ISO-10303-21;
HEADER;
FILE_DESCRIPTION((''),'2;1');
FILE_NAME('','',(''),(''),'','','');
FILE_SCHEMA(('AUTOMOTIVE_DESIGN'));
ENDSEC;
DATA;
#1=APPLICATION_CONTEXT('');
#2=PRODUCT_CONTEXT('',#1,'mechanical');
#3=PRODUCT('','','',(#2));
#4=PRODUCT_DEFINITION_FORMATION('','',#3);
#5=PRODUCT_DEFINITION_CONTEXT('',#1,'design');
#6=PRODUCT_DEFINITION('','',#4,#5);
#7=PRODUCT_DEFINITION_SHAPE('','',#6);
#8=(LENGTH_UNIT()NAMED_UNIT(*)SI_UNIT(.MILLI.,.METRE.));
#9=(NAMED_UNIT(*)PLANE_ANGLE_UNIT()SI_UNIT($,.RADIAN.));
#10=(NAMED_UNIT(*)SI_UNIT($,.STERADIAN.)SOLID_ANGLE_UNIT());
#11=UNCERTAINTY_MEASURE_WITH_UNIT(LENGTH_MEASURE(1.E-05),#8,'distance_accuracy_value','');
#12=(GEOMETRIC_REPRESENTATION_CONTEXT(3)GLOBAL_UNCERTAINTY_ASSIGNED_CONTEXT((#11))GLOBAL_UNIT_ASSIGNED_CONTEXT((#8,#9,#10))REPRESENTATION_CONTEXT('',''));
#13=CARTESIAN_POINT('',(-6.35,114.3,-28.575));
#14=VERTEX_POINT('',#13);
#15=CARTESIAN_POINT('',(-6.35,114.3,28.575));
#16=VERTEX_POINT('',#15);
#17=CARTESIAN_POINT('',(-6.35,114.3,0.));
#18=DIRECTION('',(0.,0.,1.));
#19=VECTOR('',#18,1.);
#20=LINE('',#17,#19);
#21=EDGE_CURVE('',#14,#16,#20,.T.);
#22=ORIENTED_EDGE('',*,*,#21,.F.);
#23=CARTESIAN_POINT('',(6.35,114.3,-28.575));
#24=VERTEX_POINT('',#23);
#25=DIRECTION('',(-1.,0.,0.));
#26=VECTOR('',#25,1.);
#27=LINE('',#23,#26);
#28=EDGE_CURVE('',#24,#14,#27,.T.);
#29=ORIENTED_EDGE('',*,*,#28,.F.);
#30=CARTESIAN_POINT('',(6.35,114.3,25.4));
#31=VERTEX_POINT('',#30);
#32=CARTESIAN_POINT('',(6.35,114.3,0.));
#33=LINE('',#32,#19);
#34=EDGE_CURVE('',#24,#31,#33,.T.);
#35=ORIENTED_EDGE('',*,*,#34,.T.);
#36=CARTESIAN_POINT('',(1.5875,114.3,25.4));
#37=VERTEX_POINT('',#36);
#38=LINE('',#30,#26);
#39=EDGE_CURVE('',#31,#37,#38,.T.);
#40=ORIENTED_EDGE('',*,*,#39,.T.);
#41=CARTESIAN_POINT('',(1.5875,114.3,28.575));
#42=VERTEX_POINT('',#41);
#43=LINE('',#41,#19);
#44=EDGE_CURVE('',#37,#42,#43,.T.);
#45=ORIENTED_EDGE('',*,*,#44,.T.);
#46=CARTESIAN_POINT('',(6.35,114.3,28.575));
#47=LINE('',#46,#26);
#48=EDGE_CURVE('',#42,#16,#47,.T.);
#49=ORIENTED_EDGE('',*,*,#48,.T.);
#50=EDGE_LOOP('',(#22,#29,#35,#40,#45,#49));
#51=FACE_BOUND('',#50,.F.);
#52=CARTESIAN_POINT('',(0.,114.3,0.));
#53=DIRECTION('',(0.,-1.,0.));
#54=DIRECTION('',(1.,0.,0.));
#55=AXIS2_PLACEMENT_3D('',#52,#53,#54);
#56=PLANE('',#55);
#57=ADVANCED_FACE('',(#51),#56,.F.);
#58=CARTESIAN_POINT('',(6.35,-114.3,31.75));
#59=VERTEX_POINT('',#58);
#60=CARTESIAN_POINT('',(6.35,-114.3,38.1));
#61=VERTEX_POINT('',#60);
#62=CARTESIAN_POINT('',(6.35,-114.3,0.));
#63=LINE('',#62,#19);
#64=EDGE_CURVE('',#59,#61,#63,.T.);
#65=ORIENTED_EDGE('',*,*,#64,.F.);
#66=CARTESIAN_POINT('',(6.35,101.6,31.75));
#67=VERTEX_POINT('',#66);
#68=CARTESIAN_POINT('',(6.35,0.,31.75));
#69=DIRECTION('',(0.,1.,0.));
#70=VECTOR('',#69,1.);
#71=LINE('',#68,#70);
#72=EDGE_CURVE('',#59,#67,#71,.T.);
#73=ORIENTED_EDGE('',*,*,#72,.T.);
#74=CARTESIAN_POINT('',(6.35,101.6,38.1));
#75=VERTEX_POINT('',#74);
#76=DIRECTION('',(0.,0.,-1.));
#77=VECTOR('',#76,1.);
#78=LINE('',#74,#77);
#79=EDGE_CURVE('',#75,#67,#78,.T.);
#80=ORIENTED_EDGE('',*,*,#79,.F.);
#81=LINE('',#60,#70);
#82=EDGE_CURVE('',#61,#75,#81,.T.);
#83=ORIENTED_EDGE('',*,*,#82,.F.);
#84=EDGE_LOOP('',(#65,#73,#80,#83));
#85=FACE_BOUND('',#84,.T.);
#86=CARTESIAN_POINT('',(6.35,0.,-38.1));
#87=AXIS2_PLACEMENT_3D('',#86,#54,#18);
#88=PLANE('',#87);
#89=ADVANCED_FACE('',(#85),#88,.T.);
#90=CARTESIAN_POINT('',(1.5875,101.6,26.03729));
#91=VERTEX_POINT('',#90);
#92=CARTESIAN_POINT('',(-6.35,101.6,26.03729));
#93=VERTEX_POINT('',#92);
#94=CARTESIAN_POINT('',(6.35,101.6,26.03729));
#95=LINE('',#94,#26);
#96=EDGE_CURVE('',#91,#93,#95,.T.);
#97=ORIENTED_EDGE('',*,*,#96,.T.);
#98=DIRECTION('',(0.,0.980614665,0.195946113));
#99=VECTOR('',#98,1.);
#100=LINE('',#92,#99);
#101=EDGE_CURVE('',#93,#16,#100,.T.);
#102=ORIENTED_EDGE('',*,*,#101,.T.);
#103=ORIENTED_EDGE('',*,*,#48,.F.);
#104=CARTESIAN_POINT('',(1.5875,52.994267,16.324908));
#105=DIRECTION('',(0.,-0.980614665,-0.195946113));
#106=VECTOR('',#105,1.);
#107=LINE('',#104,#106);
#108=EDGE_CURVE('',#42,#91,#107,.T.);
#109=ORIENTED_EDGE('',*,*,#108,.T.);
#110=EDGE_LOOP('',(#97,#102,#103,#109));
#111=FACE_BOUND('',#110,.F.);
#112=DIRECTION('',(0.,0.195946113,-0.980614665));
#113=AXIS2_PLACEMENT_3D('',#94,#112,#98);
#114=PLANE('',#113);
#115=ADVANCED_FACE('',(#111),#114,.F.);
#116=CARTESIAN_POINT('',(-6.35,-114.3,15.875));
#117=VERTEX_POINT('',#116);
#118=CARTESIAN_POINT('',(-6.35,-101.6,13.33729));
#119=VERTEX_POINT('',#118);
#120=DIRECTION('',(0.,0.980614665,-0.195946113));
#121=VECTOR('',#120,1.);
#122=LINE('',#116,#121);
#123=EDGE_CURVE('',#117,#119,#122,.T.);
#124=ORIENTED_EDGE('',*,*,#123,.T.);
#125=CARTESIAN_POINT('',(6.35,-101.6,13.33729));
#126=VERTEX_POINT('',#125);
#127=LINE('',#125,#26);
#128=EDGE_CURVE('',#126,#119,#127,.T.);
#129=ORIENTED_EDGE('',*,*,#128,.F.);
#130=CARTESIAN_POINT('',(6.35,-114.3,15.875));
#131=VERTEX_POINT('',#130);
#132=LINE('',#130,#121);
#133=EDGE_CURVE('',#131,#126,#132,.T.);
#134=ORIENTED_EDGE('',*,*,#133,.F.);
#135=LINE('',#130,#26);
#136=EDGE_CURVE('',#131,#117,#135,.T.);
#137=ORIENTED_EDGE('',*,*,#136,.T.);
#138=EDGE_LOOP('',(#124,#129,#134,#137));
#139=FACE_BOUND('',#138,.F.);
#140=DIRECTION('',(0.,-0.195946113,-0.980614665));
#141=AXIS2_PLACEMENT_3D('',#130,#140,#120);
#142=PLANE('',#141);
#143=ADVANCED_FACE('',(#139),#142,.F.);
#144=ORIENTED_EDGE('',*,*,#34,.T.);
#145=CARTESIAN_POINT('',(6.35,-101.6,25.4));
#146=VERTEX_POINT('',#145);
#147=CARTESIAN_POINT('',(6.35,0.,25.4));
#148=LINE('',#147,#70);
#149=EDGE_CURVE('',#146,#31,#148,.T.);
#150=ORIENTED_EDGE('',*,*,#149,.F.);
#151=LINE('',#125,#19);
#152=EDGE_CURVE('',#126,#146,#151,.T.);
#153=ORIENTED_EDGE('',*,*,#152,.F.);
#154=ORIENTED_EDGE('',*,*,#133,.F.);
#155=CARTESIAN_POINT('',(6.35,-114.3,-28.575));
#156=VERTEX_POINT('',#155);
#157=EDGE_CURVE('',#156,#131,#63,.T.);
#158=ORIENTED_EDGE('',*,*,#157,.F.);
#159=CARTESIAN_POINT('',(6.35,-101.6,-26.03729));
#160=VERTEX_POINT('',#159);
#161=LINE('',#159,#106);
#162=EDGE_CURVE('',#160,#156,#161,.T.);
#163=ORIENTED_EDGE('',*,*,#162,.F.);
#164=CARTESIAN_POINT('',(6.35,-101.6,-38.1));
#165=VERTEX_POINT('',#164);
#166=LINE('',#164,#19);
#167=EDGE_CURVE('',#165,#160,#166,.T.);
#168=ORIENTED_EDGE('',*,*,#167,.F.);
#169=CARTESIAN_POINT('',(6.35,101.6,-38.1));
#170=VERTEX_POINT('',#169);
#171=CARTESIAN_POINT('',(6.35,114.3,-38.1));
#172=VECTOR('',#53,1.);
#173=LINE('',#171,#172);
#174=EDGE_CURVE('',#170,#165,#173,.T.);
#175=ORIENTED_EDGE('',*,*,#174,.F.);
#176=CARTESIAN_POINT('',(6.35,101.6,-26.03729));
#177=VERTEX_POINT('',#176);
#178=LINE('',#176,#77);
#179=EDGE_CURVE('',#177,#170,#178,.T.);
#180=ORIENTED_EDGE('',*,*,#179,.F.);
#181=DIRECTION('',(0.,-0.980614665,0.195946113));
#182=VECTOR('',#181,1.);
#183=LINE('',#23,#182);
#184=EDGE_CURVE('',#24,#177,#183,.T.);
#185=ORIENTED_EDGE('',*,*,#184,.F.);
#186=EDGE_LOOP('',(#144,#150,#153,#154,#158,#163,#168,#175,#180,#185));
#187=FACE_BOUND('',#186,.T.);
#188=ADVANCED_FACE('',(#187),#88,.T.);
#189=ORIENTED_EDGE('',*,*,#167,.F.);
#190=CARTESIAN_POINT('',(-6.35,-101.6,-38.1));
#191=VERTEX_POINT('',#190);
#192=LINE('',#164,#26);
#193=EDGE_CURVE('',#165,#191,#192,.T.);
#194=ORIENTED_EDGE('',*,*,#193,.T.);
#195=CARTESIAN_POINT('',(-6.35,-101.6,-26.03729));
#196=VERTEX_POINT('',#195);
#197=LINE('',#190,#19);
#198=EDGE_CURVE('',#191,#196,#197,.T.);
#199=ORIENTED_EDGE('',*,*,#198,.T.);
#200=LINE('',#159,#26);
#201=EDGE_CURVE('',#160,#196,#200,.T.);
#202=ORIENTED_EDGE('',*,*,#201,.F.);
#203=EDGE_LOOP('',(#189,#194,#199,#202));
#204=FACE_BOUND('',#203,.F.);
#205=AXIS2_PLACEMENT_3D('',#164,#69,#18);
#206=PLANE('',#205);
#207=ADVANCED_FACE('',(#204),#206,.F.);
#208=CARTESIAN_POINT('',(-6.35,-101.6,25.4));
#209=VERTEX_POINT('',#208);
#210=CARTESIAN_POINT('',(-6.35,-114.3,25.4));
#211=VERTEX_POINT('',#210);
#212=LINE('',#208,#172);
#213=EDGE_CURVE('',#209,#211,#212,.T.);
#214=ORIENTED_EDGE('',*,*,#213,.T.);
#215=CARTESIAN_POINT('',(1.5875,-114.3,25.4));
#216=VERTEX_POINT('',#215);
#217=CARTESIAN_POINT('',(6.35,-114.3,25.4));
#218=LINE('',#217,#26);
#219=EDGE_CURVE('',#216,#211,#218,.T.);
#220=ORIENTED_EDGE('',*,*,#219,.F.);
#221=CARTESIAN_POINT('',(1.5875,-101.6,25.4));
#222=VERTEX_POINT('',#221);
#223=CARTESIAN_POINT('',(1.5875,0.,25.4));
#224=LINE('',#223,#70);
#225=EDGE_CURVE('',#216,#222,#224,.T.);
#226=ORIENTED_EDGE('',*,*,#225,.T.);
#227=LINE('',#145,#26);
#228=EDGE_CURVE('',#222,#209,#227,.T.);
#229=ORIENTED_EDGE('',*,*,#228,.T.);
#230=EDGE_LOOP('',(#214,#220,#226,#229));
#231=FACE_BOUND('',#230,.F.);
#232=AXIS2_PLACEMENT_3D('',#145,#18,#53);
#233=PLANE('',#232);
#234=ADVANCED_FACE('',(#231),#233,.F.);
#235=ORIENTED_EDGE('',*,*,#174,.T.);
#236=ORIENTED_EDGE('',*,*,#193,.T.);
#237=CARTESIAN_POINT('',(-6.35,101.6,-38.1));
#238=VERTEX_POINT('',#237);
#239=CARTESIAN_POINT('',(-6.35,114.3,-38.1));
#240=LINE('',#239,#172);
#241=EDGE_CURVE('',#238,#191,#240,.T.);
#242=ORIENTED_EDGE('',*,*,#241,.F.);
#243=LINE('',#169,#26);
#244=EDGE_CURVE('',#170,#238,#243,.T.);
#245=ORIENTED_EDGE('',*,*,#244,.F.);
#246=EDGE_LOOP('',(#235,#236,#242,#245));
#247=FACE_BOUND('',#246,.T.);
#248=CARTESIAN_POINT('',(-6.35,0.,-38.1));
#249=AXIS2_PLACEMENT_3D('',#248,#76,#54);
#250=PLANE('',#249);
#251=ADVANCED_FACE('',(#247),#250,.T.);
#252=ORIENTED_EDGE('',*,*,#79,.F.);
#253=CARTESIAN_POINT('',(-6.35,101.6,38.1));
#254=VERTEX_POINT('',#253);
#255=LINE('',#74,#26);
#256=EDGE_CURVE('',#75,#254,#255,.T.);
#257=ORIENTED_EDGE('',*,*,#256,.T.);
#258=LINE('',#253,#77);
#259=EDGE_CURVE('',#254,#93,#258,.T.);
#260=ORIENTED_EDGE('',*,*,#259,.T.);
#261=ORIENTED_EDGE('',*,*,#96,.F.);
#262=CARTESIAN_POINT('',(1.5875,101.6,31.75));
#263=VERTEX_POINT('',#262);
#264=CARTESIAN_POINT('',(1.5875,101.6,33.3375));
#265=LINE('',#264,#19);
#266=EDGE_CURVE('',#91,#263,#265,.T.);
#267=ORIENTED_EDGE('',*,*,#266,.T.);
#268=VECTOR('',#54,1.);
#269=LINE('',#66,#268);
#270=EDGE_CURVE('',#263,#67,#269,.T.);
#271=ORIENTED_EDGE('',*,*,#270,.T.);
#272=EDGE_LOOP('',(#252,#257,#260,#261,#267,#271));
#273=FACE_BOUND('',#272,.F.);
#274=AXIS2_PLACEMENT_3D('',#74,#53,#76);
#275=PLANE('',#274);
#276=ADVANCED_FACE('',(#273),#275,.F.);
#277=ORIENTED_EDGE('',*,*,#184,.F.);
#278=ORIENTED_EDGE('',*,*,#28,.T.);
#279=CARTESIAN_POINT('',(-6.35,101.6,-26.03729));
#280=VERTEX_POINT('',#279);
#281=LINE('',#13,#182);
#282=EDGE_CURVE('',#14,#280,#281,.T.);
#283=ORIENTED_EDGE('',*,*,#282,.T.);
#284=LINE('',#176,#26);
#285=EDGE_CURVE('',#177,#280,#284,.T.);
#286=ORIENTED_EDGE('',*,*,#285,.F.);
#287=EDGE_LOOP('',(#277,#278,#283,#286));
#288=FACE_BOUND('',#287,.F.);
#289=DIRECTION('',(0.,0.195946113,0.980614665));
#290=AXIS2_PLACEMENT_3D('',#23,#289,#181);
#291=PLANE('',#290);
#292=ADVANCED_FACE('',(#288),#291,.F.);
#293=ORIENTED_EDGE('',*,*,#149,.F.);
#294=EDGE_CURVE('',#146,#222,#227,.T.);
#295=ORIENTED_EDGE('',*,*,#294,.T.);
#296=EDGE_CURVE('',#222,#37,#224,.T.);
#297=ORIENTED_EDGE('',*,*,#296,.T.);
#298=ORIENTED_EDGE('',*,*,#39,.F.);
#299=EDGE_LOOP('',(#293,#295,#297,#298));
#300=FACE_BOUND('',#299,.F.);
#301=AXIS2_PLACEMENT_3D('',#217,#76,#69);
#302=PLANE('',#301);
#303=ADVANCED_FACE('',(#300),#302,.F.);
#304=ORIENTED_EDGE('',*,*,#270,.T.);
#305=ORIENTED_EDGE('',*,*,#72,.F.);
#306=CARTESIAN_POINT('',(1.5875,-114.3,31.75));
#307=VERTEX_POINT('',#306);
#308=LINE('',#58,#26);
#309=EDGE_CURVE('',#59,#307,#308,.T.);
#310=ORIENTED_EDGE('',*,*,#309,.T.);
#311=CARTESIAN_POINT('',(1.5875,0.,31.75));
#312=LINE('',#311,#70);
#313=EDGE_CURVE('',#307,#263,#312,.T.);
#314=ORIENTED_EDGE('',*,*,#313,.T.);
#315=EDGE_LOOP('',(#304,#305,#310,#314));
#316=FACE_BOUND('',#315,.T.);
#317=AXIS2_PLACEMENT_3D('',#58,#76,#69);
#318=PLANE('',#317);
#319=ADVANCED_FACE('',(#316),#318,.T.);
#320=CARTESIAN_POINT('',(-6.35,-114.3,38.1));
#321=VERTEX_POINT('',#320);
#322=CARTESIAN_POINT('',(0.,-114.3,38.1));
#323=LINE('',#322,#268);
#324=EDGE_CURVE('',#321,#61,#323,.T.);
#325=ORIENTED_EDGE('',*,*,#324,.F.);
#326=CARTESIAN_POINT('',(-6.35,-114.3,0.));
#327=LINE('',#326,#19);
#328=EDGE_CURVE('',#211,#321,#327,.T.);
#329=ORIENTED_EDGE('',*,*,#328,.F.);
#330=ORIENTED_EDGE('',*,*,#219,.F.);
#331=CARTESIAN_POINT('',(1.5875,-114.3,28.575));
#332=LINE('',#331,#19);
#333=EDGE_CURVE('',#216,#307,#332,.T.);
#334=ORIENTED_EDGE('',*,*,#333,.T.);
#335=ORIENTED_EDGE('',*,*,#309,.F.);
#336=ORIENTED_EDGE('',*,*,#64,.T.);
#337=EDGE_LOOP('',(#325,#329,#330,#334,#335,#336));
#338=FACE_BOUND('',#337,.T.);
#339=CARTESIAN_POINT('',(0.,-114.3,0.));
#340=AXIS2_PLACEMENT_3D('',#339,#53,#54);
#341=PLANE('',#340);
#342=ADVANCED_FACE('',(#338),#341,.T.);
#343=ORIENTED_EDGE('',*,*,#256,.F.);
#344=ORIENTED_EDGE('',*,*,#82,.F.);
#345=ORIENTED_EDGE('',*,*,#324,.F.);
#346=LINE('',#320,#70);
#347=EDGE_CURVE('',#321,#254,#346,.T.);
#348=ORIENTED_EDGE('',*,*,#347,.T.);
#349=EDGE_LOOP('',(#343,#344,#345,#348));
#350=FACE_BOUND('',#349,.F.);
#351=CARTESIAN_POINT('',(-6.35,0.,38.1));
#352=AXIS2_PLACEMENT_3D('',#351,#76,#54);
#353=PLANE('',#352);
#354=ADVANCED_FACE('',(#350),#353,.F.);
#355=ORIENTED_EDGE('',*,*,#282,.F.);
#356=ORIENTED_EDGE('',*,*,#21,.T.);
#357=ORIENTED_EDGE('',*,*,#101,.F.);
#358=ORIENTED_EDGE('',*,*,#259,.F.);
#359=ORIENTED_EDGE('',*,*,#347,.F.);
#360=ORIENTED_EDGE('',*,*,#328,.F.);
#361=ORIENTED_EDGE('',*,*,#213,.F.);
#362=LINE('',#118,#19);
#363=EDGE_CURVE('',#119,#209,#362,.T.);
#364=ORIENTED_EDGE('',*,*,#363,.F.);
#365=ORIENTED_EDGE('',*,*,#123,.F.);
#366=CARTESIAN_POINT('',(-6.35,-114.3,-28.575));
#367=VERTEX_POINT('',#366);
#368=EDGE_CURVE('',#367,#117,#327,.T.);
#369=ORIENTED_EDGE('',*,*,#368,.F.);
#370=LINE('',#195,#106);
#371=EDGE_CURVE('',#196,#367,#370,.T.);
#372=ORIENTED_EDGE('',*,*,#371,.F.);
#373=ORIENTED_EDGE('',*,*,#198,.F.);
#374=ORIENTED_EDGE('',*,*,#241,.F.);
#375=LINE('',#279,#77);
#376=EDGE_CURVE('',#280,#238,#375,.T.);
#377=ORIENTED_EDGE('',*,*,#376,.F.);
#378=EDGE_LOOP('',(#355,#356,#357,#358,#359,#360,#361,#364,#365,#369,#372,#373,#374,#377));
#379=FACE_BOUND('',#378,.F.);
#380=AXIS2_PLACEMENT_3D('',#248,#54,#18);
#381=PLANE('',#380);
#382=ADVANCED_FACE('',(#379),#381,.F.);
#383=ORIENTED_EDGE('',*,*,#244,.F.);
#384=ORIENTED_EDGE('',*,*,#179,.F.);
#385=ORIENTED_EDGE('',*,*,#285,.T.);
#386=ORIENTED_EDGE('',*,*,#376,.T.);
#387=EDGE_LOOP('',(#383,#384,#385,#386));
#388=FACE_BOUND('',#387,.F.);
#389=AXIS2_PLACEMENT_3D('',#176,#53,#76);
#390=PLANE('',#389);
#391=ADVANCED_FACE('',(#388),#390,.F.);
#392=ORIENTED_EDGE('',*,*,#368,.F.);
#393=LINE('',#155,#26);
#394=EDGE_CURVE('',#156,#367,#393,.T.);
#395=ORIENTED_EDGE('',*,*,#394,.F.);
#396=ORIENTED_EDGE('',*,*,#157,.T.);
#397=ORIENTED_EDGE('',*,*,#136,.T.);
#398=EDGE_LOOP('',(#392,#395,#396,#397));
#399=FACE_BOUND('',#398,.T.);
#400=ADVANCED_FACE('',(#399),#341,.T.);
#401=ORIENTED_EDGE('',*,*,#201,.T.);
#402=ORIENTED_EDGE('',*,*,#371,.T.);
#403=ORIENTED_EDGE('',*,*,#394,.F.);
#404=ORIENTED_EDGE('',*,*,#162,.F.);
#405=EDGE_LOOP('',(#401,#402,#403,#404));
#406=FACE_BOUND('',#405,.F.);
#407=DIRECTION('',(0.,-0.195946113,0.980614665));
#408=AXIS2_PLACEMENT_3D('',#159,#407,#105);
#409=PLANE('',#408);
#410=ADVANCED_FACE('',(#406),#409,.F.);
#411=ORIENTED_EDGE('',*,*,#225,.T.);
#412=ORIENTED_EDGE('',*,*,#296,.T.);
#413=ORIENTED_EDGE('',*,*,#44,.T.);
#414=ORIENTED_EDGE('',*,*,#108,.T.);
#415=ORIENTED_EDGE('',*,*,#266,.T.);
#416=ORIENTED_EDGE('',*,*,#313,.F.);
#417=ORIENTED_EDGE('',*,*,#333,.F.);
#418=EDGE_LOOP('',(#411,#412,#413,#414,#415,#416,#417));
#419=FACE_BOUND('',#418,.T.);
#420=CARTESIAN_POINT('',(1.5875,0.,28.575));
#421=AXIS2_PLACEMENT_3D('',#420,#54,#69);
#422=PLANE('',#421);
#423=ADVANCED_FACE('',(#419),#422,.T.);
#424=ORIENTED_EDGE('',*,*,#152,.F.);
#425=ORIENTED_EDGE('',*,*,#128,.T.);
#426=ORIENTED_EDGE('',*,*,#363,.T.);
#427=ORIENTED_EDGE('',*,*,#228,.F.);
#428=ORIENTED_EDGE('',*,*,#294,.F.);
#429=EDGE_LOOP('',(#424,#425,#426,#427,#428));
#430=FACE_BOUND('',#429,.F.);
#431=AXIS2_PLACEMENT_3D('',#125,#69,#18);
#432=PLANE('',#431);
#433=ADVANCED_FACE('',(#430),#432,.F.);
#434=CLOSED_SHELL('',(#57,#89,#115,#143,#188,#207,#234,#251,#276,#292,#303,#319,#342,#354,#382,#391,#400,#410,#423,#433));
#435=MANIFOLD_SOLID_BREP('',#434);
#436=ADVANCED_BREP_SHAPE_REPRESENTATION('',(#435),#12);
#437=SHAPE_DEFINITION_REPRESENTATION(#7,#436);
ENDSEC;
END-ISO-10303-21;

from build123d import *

# Parameters (mm, degrees)
F0_W     = 12.7
F0_H     = 76.2
F1_DEPTH = 114.3
F3_DEPTH = 12.7
F4_W     = 228.6
F4_H     = 6.35
F5_DEPTH = 4.7625


with BuildPart() as f1:
    # F0 (on Front) → F1 (new body, symmetric)
    with BuildSketch(Plane.XZ):
        Rectangle(F0_W, F0_H)
    extrude(amount=F1_DEPTH, both=True)

    # F2 (on face) → F3 (cut, through all)
    with BuildSketch(Plane.YZ.offset(6.35)):
        Polygon((-101.6, 25.4), (-114.3, 25.4), (-114.3, 15.875), (-101.6, 13.33729), align=None)
        Polygon((-114.3, -28.575), (-114.3, -38.1), (-101.6, -38.1), (-101.6, -26.03729), align=None)
        Polygon((114.3, 28.575), (114.3, 38.1), (101.6, 38.1), (101.6, 26.03729), align=None)
        Polygon((101.6, -38.1), (114.3, -38.1), (114.3, -28.575), (101.6, -26.03729), align=None)
    extrude(amount=-F3_DEPTH, mode=Mode.SUBTRACT)

    # F4 (on face) → F5 (cut)
    with BuildSketch(Plane.YZ.offset(6.35)):
        with Locations((0, 28.575)):
            Rectangle(F4_W, F4_H)
    extrude(amount=-F5_DEPTH, mode=Mode.SUBTRACT)


solid = f1.part
